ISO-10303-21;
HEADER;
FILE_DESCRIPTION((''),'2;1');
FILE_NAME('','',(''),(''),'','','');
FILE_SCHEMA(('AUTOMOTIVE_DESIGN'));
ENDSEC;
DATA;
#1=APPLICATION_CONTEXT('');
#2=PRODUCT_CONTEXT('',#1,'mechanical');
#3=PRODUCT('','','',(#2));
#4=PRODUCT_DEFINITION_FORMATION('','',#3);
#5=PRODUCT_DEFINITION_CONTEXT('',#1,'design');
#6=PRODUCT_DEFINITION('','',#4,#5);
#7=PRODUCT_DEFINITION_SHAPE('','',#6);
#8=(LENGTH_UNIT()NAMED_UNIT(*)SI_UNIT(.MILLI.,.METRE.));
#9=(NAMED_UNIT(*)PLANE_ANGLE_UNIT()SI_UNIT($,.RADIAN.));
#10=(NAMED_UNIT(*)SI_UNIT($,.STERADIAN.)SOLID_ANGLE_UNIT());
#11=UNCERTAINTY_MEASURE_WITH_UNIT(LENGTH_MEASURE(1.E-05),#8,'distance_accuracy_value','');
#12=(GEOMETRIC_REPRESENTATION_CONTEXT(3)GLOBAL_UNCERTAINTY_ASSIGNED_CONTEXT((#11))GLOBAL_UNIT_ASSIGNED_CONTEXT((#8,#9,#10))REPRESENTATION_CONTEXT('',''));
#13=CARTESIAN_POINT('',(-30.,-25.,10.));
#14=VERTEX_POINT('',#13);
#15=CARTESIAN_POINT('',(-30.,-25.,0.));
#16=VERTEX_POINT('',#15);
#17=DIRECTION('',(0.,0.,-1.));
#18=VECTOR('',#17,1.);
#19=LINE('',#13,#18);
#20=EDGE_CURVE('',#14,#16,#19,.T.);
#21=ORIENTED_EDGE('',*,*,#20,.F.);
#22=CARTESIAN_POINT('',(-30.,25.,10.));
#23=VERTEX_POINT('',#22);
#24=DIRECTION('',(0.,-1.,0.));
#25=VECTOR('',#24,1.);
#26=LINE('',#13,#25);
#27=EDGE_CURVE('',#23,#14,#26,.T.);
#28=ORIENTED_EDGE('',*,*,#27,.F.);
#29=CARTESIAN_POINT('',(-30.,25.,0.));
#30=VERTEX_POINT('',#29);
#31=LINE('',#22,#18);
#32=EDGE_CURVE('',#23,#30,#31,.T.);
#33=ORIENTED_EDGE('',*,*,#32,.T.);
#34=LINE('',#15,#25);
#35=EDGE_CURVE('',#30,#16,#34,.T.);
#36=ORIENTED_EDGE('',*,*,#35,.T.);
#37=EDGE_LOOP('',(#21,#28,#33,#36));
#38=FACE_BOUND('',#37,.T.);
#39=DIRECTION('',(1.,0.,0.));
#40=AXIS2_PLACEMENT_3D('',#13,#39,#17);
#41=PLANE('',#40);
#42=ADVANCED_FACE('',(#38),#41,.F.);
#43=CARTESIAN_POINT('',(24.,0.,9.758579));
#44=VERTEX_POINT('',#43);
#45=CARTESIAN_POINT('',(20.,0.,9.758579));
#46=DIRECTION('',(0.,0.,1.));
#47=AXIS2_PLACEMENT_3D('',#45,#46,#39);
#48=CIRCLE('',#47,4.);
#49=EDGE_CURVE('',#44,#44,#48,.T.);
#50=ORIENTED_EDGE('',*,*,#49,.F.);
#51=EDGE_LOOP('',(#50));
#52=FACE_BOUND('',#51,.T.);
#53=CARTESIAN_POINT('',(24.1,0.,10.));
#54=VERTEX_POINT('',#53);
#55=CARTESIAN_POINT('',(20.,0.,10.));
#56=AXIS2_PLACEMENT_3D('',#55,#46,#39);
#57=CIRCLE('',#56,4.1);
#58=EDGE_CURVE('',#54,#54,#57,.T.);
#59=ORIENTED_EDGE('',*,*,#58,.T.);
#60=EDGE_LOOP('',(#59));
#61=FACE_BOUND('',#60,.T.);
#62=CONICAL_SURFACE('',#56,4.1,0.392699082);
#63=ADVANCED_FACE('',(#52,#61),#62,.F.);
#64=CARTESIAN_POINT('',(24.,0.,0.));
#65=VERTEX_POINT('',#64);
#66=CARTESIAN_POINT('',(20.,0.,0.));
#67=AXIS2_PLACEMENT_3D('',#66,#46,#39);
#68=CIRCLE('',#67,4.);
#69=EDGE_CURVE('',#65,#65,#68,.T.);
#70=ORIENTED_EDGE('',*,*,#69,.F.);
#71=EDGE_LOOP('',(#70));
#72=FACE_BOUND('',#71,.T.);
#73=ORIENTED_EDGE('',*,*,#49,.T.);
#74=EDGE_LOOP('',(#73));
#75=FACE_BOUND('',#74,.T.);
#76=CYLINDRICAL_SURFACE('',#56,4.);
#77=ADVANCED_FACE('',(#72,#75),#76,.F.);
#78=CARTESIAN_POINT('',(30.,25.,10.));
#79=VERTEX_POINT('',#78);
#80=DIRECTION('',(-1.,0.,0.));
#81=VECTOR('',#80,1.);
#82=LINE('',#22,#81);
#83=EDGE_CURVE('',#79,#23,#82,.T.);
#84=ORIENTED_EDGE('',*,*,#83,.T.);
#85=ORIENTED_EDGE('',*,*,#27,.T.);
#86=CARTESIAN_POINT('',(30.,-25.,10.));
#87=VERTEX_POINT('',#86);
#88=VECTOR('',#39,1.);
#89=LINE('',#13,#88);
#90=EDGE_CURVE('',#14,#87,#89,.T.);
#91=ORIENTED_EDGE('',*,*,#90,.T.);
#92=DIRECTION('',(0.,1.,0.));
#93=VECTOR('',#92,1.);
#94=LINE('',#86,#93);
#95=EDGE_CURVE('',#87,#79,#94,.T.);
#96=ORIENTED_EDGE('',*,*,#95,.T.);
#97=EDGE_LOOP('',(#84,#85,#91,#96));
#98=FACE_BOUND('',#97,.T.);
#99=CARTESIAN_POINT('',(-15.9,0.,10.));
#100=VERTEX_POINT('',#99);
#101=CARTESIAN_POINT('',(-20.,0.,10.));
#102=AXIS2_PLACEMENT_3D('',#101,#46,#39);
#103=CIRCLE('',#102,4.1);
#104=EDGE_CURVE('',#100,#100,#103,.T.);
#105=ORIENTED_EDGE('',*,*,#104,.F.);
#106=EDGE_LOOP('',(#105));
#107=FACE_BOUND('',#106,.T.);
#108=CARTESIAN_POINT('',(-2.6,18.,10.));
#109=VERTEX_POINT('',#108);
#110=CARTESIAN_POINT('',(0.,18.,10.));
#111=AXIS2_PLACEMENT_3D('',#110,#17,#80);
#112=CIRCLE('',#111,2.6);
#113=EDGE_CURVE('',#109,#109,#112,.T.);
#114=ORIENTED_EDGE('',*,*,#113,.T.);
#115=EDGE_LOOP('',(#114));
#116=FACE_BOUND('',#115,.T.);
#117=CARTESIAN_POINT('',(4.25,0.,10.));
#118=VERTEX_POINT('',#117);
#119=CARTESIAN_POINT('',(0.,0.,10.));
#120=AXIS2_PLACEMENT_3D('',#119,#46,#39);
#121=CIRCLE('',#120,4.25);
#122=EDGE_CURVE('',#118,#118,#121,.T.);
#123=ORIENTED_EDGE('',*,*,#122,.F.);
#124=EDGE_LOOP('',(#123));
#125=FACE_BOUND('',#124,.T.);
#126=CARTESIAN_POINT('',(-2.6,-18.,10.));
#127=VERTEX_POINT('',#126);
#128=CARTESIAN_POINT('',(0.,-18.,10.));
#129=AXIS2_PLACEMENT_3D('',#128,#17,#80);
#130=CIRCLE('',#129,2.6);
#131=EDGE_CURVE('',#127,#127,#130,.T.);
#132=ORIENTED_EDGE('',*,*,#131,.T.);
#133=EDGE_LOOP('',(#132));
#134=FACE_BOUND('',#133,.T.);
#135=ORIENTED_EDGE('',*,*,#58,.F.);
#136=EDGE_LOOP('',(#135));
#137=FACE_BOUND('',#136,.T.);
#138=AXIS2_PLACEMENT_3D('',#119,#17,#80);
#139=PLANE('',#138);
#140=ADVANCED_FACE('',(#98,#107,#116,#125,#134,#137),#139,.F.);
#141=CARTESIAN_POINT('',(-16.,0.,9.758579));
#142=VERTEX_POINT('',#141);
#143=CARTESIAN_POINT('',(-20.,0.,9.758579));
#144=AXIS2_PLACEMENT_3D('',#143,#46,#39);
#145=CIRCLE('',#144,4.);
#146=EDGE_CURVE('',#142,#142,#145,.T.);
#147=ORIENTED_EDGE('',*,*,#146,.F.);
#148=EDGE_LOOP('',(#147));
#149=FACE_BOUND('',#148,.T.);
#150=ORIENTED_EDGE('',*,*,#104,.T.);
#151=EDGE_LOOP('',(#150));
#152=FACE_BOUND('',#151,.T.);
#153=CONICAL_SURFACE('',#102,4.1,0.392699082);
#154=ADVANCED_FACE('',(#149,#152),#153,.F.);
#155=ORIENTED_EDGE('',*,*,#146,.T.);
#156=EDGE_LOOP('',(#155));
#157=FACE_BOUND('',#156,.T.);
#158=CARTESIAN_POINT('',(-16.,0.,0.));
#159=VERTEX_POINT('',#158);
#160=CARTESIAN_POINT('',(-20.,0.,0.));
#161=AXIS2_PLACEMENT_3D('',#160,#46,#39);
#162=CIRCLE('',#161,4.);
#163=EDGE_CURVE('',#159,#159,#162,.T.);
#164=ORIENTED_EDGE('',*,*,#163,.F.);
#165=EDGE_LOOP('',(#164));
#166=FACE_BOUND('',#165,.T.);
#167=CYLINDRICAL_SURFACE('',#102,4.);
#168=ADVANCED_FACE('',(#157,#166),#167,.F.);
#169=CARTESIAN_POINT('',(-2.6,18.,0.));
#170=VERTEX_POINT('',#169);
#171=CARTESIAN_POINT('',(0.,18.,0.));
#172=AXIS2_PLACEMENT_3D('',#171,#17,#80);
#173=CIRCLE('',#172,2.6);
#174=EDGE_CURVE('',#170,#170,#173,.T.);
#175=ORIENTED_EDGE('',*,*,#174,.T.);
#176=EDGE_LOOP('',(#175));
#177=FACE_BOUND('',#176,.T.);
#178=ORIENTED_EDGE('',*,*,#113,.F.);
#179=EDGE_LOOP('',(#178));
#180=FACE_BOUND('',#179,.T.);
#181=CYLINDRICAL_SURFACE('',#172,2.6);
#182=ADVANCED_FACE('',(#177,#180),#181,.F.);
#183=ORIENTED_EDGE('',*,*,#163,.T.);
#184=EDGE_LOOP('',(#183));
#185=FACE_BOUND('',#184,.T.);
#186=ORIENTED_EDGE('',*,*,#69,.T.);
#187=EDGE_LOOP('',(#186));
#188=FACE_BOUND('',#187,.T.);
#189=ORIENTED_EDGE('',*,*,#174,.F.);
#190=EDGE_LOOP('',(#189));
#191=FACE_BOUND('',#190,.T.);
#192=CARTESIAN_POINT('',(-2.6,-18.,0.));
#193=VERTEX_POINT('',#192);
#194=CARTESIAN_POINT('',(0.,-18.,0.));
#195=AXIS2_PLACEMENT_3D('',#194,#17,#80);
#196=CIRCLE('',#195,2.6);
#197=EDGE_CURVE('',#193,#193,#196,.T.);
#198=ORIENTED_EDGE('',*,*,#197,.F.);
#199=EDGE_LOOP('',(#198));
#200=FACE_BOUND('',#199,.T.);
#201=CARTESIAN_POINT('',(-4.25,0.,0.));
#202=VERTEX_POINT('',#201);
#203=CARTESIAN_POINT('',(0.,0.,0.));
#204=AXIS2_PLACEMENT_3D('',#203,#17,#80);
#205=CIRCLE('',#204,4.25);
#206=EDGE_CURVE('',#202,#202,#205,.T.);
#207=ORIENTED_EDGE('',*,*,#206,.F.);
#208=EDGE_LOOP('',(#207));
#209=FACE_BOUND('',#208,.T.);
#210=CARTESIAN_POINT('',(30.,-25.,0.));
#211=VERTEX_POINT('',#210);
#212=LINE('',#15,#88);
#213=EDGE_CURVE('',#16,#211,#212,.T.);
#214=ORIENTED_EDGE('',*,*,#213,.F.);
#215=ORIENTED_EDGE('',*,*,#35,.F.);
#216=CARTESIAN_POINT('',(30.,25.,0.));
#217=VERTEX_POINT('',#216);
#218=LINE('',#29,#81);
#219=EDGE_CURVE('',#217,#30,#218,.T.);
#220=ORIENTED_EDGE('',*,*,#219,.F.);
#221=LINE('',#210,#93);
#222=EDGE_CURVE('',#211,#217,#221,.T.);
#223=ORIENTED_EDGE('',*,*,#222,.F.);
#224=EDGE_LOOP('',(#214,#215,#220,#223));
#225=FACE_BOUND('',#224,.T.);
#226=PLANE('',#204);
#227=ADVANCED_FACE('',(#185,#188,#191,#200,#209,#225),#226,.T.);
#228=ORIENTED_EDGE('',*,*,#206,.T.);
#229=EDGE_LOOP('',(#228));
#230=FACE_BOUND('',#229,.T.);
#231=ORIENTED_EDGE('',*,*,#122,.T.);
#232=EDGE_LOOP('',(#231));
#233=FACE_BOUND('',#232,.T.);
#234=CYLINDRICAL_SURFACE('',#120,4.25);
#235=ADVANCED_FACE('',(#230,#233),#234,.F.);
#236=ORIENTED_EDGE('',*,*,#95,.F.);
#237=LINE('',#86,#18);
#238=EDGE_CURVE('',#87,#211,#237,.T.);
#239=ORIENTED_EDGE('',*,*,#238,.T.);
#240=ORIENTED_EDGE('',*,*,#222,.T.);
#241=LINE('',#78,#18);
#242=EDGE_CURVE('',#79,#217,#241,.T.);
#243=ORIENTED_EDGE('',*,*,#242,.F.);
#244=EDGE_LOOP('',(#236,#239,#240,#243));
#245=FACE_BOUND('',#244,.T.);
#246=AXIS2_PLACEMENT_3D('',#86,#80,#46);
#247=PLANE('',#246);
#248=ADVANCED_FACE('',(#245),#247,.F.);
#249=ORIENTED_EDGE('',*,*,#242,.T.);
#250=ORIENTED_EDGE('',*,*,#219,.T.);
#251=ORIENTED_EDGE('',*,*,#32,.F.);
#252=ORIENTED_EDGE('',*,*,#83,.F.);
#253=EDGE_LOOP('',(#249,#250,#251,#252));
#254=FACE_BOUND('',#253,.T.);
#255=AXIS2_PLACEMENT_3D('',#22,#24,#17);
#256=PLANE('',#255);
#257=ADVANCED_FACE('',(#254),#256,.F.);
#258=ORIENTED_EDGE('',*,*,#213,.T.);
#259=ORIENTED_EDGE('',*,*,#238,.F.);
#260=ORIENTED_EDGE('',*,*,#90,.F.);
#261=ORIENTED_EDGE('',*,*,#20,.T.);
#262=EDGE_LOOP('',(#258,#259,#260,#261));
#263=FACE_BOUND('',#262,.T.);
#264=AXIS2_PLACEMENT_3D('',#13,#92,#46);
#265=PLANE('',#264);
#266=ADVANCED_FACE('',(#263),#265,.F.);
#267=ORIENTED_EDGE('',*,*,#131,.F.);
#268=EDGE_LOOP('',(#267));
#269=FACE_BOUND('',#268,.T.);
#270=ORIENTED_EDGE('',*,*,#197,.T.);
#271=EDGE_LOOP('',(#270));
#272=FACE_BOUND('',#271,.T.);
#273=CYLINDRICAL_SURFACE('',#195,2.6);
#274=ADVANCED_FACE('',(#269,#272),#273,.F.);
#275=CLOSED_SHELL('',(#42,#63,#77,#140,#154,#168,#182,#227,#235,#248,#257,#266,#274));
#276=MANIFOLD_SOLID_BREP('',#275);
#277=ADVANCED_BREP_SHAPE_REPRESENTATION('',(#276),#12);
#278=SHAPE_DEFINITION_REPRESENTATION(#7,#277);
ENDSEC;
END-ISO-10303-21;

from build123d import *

# Parameters (mm, degrees)
SKETCH_1_W                = 60
SKETCH_1_H                = 50
EXTRUDE_1_DEPTH           = 10
HOLE_WIZARD_1_D           = 8.5
HOLE_WIZARD_1_DEPTH       = 20
HOLE_WIZARD_2_D           = 8
HOLE_WIZARD_2_CSINK_D     = 8.2
HOLE_WIZARD_2_CSINK_ANGLE = 45
HOLE_WIZARD_3_D           = 5.2


with BuildPart() as part:
    # 草图1 → 凸台-拉伸1 (new body)
    with BuildSketch(Plane.XY):
        Rectangle(SKETCH_1_W, SKETCH_1_H)
    extrude(amount=EXTRUDE_1_DEPTH)

    # 孔1
    with Locations(Plane.XY.offset(10)):
        with Locations((0, 0)):
            Hole(HOLE_WIZARD_1_D / 2, depth=HOLE_WIZARD_1_DEPTH)

    # 孔2 (through all)
    with Locations(Plane.XY.offset(10)):
        with Locations((20, 0), (-20, 0)):
            CounterSinkHole(HOLE_WIZARD_2_D / 2, HOLE_WIZARD_2_CSINK_D / 2, counter_sink_angle=HOLE_WIZARD_2_CSINK_ANGLE)

    # 孔3 (through all)
    with Locations(Plane(origin=(0, 0, 0), x_dir=(-1, 0, 0), z_dir=(0, 0, -1))):
        with Locations((0, 18), (0, -18)):
            Hole(HOLE_WIZARD_3_D / 2)


solid = part.part
